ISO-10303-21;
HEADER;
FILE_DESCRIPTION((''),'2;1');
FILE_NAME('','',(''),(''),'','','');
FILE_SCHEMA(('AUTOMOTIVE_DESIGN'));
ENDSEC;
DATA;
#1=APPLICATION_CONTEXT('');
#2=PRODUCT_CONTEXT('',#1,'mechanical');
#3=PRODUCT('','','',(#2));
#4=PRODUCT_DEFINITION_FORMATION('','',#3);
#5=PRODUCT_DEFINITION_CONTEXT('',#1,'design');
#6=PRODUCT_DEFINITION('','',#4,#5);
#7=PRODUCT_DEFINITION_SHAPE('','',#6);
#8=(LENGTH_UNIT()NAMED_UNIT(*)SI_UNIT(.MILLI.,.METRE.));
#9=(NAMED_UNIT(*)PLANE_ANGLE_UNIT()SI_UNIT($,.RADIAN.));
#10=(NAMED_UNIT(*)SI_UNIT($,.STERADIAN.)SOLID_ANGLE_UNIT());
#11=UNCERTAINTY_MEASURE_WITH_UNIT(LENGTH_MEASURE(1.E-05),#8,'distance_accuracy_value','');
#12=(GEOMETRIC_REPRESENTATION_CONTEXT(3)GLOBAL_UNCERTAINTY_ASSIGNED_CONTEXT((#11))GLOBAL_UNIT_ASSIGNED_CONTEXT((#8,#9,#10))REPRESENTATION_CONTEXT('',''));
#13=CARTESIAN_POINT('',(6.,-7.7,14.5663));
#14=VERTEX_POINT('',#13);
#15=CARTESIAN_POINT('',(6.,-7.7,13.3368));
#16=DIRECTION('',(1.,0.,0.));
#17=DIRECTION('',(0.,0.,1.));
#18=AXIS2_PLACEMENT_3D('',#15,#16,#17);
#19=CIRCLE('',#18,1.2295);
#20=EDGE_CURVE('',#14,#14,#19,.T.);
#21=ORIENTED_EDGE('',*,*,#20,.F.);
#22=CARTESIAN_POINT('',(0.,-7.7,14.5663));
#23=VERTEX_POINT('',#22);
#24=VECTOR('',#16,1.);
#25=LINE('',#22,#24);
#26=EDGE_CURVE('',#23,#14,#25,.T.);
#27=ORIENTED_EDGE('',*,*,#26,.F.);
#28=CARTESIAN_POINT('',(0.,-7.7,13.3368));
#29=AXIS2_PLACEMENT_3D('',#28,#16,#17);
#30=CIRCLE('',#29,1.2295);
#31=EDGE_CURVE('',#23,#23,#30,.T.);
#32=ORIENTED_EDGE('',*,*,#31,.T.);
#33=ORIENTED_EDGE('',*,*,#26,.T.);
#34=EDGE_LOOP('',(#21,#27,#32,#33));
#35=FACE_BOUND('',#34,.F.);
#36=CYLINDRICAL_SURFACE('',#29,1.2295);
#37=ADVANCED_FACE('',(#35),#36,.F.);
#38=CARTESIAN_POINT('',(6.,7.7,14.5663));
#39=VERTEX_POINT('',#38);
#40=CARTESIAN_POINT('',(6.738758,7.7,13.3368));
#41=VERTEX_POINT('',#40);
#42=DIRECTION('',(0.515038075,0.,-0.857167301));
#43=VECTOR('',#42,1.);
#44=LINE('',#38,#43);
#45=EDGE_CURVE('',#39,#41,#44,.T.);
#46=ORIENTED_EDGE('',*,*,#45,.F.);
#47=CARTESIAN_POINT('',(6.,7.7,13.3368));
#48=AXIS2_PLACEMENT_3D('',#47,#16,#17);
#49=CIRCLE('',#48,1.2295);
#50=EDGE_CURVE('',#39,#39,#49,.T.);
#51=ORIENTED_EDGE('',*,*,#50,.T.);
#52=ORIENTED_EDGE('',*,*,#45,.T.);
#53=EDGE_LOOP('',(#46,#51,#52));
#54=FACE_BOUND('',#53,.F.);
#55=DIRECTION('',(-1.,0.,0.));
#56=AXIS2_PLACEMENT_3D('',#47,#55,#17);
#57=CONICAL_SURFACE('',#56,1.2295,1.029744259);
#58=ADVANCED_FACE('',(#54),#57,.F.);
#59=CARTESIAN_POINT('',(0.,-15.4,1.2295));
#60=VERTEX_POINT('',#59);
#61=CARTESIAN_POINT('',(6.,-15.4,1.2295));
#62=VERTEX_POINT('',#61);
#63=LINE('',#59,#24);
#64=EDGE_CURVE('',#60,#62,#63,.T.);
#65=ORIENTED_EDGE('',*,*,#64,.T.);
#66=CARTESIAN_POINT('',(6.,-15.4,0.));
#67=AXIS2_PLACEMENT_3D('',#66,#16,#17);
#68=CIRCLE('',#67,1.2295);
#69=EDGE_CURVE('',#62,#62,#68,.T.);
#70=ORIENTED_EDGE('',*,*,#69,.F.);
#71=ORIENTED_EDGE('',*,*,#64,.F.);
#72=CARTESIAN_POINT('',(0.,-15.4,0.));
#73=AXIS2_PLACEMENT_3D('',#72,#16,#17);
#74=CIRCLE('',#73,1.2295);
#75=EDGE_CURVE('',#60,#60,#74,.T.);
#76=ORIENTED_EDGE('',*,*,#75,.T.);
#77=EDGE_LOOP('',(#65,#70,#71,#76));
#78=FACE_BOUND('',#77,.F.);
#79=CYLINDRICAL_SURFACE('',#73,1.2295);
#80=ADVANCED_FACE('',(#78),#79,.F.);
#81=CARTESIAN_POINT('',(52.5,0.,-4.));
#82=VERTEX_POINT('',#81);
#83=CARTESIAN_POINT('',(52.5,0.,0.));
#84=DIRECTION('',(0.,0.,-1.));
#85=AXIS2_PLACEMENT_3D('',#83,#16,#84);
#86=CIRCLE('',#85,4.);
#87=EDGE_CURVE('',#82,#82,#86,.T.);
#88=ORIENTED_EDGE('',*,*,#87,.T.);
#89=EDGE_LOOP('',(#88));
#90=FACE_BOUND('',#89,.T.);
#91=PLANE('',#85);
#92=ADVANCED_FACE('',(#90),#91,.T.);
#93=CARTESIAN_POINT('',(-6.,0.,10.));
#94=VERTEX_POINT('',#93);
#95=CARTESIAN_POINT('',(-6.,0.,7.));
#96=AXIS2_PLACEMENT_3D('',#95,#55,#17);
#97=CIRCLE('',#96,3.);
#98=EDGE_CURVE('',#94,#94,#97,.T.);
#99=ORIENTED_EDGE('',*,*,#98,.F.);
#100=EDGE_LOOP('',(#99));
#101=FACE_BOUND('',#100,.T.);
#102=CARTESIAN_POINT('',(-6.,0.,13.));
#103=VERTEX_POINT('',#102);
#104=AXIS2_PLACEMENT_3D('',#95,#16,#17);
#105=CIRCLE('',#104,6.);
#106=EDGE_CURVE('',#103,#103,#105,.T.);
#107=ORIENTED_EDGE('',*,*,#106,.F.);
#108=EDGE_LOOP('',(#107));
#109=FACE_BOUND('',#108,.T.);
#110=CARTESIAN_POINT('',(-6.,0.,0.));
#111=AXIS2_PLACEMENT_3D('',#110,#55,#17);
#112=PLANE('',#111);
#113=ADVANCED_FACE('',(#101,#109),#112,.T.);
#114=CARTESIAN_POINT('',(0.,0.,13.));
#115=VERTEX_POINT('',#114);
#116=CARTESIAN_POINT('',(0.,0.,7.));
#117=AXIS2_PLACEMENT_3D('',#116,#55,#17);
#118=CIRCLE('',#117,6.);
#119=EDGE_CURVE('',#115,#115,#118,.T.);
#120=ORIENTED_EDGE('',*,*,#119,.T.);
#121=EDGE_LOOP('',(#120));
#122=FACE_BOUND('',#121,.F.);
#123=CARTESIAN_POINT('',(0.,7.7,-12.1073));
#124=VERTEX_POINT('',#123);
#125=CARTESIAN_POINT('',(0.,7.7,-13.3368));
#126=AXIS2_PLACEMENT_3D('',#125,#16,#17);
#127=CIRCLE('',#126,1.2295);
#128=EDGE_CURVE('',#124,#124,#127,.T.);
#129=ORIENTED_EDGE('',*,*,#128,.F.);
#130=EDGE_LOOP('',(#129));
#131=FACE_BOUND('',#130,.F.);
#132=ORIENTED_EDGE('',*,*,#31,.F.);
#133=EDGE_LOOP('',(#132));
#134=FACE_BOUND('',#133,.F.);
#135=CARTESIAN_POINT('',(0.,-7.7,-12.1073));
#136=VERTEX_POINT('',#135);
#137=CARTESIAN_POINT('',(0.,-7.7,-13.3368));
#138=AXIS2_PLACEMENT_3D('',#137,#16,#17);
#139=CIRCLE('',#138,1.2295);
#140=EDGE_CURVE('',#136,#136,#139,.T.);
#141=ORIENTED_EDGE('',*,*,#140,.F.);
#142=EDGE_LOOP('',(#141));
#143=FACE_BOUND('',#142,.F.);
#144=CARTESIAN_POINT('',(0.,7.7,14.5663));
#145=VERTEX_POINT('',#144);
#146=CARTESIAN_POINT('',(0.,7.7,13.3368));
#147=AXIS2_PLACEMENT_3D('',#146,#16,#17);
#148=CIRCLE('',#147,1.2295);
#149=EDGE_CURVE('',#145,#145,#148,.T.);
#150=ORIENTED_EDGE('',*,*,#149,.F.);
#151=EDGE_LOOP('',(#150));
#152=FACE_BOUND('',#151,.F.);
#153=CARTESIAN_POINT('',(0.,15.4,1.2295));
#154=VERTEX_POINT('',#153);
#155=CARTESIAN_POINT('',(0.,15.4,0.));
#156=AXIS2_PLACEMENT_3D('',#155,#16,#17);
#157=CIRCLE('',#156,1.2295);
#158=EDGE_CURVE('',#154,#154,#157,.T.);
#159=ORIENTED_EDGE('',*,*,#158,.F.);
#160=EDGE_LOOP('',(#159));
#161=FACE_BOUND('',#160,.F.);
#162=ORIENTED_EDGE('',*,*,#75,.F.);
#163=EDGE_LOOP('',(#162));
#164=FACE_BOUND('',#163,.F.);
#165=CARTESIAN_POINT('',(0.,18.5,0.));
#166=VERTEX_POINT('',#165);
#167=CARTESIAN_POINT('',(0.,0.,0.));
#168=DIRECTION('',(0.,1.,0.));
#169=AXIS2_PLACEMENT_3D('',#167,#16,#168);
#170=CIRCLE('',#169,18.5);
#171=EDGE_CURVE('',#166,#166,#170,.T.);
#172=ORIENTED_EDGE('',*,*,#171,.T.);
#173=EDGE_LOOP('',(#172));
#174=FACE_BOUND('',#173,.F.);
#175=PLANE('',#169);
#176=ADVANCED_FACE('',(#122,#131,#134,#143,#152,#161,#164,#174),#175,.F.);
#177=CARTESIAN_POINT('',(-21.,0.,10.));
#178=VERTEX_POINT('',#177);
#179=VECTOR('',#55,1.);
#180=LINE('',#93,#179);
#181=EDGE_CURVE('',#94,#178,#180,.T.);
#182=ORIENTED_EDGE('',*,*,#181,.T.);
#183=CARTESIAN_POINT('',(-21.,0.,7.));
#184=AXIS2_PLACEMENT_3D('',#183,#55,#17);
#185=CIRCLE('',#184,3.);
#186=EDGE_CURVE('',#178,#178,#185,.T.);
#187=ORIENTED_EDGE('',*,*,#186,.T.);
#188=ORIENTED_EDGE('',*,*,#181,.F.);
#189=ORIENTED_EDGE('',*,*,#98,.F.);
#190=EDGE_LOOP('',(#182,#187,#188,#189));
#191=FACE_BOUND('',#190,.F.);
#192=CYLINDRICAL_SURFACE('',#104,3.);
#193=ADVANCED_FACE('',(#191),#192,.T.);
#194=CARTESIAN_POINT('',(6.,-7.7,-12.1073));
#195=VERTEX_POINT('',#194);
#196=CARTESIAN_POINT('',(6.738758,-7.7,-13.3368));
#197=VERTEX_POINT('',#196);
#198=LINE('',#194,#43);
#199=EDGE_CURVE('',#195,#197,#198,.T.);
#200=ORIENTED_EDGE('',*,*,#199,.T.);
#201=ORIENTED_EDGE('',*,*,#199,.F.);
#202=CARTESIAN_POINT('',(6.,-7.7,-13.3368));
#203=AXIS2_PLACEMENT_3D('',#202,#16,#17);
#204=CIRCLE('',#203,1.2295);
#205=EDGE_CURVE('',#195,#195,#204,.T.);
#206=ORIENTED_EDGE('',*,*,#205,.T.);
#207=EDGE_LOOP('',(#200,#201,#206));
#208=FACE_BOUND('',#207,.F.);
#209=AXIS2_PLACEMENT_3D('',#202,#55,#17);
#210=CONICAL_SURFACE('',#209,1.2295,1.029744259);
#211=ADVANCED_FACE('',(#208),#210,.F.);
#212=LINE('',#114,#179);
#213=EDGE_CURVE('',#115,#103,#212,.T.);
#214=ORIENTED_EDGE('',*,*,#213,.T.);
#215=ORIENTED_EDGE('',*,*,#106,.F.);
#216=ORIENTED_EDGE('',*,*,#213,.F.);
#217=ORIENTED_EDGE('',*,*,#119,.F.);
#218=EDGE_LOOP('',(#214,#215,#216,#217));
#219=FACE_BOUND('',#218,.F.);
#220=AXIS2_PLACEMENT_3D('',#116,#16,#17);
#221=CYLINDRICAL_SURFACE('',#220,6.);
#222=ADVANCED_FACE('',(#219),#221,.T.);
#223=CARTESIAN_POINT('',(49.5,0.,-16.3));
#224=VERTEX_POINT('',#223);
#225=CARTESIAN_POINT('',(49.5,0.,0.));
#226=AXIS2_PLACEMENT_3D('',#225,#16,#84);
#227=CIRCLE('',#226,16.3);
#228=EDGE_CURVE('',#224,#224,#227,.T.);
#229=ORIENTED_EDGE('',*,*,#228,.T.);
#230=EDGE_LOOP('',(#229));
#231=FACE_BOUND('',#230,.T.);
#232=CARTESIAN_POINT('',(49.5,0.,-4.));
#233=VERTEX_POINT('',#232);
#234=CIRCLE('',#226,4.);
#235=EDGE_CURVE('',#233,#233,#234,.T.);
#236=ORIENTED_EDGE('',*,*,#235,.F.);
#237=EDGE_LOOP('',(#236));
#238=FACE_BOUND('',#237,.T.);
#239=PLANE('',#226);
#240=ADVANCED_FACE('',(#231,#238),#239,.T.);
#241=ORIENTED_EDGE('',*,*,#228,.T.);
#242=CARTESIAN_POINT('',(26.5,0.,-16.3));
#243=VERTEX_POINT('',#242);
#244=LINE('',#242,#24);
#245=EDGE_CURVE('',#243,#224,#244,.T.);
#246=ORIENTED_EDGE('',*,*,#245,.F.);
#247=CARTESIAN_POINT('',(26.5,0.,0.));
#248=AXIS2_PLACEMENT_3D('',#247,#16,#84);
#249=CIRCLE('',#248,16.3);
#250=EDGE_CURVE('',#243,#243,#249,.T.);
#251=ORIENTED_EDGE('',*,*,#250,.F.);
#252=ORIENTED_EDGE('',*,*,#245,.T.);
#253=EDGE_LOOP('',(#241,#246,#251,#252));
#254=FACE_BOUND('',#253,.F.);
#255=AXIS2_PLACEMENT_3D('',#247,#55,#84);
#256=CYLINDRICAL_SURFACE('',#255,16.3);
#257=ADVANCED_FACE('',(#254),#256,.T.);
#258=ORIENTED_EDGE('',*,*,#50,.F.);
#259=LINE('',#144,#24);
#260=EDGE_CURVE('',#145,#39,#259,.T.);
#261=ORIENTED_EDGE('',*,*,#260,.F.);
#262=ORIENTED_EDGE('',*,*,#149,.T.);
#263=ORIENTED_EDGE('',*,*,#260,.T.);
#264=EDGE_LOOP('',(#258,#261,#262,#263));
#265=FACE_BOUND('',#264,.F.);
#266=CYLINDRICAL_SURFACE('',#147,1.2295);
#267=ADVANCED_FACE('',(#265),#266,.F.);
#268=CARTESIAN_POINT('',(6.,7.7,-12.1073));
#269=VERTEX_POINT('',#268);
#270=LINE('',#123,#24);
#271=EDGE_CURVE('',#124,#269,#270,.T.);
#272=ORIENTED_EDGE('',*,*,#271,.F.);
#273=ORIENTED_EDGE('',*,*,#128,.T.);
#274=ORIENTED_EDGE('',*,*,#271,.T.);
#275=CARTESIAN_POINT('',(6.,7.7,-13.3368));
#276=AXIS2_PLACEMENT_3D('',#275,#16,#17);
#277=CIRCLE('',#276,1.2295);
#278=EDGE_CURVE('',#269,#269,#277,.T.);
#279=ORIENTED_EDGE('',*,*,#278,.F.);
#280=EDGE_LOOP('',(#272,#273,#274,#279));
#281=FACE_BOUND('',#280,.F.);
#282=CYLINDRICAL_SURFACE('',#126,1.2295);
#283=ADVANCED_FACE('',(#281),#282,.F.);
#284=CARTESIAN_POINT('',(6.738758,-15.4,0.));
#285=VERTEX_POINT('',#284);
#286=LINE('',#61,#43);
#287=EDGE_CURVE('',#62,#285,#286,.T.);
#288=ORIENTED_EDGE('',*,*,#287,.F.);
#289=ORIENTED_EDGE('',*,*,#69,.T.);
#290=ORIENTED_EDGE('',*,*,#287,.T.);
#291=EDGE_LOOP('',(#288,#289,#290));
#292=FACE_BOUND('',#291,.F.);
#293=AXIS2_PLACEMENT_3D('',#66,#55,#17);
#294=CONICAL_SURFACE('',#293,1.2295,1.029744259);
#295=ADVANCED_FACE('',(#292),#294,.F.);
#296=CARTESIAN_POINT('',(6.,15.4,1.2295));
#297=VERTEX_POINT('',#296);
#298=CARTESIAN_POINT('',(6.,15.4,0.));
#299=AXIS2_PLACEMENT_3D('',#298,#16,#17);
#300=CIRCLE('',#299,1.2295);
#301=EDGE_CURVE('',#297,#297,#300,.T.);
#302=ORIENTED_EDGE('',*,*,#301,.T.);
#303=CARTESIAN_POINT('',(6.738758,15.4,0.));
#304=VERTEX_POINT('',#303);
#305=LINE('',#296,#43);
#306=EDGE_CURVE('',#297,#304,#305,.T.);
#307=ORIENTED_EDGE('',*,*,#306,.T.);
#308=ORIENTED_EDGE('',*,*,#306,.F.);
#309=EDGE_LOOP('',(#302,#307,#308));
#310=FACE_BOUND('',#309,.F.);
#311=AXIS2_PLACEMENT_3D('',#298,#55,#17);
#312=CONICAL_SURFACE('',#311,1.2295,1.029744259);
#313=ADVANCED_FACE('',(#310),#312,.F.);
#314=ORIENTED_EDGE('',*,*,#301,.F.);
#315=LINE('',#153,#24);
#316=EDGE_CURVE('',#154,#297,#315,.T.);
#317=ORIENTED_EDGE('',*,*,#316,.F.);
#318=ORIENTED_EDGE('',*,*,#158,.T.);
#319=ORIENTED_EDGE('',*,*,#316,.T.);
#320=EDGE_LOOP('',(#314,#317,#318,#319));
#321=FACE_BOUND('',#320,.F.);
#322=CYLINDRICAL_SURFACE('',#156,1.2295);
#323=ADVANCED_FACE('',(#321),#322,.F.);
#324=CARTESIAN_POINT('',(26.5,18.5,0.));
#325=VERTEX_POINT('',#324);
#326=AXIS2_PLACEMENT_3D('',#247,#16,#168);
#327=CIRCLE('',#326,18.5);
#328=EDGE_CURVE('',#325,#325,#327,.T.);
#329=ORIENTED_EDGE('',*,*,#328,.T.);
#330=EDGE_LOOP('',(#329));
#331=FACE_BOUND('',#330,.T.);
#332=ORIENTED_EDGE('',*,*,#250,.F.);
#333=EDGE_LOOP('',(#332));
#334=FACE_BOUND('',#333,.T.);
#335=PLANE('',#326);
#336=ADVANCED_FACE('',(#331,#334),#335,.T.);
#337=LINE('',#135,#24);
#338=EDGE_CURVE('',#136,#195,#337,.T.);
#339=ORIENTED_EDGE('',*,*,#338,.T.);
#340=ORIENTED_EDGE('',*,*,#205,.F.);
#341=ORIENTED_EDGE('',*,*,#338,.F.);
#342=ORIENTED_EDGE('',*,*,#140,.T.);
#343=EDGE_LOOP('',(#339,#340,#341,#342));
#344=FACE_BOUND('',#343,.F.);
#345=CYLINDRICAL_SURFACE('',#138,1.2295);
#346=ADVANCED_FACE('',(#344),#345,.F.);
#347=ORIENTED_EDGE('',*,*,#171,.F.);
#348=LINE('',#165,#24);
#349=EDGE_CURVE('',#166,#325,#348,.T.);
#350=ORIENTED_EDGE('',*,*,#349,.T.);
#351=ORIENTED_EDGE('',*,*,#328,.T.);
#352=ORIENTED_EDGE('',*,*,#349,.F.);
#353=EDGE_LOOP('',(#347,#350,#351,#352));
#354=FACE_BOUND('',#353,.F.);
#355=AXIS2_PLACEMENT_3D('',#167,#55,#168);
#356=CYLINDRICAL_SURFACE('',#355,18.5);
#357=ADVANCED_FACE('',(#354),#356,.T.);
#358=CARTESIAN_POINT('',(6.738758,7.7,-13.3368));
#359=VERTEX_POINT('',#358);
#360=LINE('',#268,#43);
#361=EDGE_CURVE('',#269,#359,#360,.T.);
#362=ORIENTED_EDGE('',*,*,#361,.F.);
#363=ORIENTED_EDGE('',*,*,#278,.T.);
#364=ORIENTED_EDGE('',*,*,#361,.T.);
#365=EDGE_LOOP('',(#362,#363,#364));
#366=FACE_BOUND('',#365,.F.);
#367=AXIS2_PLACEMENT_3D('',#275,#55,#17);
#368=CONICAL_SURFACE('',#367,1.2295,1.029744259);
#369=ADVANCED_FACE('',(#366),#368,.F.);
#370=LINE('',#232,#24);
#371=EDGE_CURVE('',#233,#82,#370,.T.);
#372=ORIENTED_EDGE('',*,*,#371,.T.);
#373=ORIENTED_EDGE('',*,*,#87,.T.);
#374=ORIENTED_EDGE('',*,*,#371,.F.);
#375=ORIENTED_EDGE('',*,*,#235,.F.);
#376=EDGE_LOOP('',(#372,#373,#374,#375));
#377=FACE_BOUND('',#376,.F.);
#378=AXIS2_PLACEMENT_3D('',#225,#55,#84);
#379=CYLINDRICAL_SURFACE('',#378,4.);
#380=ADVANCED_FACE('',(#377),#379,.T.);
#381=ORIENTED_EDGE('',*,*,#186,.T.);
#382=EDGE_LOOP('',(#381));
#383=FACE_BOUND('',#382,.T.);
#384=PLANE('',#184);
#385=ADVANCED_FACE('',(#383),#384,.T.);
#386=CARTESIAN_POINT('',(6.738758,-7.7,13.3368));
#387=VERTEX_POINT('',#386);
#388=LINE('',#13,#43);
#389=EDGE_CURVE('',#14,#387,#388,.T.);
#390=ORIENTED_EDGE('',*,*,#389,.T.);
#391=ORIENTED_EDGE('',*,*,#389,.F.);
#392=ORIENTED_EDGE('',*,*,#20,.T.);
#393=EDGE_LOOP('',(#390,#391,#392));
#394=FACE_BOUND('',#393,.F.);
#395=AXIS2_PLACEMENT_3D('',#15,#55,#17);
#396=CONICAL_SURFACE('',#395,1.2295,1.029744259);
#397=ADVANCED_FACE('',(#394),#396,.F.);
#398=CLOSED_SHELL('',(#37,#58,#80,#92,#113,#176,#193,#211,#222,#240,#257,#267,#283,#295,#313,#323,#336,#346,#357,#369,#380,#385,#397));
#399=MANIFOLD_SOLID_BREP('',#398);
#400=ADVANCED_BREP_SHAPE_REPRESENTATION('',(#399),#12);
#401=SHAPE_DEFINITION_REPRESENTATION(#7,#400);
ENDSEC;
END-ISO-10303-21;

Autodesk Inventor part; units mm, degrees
ref_plane "YZ Plane" through (0, 0, 0) normal (1, 0, 0) x (0, 1, 0)
ref_plane "XZ Plane" through (0, 0, 0) normal (0, 1, 0) x (-1, 0, 0)
ref_plane "XY Plane" through (0, 0, 0) normal (0, 0, 1) x (1, 0, 0)
sketch "Skizze1" plane through (0, 0, 0) normal (1, 0, 0) x (0, 1, 0)
  circle A0 centre (0, 0) radius 18.5
  dimension "d0" = 37
extrude "Extrusion1" add sketch "Skizze1" along normal blind 26.5
sketch "Skizze2" plane through (26.5, 0, 0) normal (1, 0, 0) x (0, 0, -1)
  circle A0 centre (0, 0) radius 16.3
  dimension "d3" = 32.6
extrude "Extrusion2" add sketch "Skizze2" along normal blind 23
sketch "Skizze3" plane through (49.5, 0, 0) normal (1, 0, 0) x (0, 0, -1)
  circle A0 centre (0, 0) radius 4
  dimension "d6" = 8
extrude "Extrusion3" add sketch "Skizze3" along normal blind 3
sketch "Skizze4" plane through (0, 0, 0) normal (-1, 0, 0) x (0, 0, 1)
  line L0 (-25.9, 0) -> (25.9, 0) projected
  line L1 (0, 25.9) -> (0, -25.9) projected
  circle A0 centre (7, 0) radius 6
  point P0 (0, 0)
  dimension "d9" = 12
  dimension "d10" = 7
extrude "Extrusion4" add sketch "Skizze4" along normal blind 6
sketch "Skizze5" plane through (-6, 0, 7) normal (-1, 0, 0) x (0, 0, 1)
  circle A0 centre (0, 0) radius 6 projected
  circle A1 centre (0, 0) radius 3
  point P0 (-7, 0)
  dimension "d13" = 6
extrude "Extrusion5" add sketch "Skizze5" along normal blind 15 contours A1
sketch "Skizze6" plane through (0, 0, 0) normal (-1, 0, 0) x (0, 0, 1)
  line L0 (-25.9, 0) -> (25.9, 0) projected
  line L1 (0, 25.9) -> (0, -25.9) projected
  circle A0 centre (0, 0) radius 15.4 construction
  point P0 (0, 15.4)
  point P1 (-13.3368, 7.7)
  point P2 (-13.3368, -7.7)
  point P3 (0, -15.4)
  point P4 (13.3368, -7.7)
  point P5 (13.3368, 7.7)
  dimension "d16" = 30.8
  dimension "d19" = 360
hole "Bohrung1" at (0, 15.4, 0) at (0, 7.7, -13.3368) at (0, -7.7, -13.3368) at (0, -15.4, 0) at (0, -7.7, 13.3368) at (0, 7.7, 13.3368) direction (1, 0, 0) diameter 2.459 depth 6 tip angle 118 thread size "M3x0.5" class "6H" standard "ISO Metric profile"
properties part number "V-TEC 12V Mini 37D DC"
